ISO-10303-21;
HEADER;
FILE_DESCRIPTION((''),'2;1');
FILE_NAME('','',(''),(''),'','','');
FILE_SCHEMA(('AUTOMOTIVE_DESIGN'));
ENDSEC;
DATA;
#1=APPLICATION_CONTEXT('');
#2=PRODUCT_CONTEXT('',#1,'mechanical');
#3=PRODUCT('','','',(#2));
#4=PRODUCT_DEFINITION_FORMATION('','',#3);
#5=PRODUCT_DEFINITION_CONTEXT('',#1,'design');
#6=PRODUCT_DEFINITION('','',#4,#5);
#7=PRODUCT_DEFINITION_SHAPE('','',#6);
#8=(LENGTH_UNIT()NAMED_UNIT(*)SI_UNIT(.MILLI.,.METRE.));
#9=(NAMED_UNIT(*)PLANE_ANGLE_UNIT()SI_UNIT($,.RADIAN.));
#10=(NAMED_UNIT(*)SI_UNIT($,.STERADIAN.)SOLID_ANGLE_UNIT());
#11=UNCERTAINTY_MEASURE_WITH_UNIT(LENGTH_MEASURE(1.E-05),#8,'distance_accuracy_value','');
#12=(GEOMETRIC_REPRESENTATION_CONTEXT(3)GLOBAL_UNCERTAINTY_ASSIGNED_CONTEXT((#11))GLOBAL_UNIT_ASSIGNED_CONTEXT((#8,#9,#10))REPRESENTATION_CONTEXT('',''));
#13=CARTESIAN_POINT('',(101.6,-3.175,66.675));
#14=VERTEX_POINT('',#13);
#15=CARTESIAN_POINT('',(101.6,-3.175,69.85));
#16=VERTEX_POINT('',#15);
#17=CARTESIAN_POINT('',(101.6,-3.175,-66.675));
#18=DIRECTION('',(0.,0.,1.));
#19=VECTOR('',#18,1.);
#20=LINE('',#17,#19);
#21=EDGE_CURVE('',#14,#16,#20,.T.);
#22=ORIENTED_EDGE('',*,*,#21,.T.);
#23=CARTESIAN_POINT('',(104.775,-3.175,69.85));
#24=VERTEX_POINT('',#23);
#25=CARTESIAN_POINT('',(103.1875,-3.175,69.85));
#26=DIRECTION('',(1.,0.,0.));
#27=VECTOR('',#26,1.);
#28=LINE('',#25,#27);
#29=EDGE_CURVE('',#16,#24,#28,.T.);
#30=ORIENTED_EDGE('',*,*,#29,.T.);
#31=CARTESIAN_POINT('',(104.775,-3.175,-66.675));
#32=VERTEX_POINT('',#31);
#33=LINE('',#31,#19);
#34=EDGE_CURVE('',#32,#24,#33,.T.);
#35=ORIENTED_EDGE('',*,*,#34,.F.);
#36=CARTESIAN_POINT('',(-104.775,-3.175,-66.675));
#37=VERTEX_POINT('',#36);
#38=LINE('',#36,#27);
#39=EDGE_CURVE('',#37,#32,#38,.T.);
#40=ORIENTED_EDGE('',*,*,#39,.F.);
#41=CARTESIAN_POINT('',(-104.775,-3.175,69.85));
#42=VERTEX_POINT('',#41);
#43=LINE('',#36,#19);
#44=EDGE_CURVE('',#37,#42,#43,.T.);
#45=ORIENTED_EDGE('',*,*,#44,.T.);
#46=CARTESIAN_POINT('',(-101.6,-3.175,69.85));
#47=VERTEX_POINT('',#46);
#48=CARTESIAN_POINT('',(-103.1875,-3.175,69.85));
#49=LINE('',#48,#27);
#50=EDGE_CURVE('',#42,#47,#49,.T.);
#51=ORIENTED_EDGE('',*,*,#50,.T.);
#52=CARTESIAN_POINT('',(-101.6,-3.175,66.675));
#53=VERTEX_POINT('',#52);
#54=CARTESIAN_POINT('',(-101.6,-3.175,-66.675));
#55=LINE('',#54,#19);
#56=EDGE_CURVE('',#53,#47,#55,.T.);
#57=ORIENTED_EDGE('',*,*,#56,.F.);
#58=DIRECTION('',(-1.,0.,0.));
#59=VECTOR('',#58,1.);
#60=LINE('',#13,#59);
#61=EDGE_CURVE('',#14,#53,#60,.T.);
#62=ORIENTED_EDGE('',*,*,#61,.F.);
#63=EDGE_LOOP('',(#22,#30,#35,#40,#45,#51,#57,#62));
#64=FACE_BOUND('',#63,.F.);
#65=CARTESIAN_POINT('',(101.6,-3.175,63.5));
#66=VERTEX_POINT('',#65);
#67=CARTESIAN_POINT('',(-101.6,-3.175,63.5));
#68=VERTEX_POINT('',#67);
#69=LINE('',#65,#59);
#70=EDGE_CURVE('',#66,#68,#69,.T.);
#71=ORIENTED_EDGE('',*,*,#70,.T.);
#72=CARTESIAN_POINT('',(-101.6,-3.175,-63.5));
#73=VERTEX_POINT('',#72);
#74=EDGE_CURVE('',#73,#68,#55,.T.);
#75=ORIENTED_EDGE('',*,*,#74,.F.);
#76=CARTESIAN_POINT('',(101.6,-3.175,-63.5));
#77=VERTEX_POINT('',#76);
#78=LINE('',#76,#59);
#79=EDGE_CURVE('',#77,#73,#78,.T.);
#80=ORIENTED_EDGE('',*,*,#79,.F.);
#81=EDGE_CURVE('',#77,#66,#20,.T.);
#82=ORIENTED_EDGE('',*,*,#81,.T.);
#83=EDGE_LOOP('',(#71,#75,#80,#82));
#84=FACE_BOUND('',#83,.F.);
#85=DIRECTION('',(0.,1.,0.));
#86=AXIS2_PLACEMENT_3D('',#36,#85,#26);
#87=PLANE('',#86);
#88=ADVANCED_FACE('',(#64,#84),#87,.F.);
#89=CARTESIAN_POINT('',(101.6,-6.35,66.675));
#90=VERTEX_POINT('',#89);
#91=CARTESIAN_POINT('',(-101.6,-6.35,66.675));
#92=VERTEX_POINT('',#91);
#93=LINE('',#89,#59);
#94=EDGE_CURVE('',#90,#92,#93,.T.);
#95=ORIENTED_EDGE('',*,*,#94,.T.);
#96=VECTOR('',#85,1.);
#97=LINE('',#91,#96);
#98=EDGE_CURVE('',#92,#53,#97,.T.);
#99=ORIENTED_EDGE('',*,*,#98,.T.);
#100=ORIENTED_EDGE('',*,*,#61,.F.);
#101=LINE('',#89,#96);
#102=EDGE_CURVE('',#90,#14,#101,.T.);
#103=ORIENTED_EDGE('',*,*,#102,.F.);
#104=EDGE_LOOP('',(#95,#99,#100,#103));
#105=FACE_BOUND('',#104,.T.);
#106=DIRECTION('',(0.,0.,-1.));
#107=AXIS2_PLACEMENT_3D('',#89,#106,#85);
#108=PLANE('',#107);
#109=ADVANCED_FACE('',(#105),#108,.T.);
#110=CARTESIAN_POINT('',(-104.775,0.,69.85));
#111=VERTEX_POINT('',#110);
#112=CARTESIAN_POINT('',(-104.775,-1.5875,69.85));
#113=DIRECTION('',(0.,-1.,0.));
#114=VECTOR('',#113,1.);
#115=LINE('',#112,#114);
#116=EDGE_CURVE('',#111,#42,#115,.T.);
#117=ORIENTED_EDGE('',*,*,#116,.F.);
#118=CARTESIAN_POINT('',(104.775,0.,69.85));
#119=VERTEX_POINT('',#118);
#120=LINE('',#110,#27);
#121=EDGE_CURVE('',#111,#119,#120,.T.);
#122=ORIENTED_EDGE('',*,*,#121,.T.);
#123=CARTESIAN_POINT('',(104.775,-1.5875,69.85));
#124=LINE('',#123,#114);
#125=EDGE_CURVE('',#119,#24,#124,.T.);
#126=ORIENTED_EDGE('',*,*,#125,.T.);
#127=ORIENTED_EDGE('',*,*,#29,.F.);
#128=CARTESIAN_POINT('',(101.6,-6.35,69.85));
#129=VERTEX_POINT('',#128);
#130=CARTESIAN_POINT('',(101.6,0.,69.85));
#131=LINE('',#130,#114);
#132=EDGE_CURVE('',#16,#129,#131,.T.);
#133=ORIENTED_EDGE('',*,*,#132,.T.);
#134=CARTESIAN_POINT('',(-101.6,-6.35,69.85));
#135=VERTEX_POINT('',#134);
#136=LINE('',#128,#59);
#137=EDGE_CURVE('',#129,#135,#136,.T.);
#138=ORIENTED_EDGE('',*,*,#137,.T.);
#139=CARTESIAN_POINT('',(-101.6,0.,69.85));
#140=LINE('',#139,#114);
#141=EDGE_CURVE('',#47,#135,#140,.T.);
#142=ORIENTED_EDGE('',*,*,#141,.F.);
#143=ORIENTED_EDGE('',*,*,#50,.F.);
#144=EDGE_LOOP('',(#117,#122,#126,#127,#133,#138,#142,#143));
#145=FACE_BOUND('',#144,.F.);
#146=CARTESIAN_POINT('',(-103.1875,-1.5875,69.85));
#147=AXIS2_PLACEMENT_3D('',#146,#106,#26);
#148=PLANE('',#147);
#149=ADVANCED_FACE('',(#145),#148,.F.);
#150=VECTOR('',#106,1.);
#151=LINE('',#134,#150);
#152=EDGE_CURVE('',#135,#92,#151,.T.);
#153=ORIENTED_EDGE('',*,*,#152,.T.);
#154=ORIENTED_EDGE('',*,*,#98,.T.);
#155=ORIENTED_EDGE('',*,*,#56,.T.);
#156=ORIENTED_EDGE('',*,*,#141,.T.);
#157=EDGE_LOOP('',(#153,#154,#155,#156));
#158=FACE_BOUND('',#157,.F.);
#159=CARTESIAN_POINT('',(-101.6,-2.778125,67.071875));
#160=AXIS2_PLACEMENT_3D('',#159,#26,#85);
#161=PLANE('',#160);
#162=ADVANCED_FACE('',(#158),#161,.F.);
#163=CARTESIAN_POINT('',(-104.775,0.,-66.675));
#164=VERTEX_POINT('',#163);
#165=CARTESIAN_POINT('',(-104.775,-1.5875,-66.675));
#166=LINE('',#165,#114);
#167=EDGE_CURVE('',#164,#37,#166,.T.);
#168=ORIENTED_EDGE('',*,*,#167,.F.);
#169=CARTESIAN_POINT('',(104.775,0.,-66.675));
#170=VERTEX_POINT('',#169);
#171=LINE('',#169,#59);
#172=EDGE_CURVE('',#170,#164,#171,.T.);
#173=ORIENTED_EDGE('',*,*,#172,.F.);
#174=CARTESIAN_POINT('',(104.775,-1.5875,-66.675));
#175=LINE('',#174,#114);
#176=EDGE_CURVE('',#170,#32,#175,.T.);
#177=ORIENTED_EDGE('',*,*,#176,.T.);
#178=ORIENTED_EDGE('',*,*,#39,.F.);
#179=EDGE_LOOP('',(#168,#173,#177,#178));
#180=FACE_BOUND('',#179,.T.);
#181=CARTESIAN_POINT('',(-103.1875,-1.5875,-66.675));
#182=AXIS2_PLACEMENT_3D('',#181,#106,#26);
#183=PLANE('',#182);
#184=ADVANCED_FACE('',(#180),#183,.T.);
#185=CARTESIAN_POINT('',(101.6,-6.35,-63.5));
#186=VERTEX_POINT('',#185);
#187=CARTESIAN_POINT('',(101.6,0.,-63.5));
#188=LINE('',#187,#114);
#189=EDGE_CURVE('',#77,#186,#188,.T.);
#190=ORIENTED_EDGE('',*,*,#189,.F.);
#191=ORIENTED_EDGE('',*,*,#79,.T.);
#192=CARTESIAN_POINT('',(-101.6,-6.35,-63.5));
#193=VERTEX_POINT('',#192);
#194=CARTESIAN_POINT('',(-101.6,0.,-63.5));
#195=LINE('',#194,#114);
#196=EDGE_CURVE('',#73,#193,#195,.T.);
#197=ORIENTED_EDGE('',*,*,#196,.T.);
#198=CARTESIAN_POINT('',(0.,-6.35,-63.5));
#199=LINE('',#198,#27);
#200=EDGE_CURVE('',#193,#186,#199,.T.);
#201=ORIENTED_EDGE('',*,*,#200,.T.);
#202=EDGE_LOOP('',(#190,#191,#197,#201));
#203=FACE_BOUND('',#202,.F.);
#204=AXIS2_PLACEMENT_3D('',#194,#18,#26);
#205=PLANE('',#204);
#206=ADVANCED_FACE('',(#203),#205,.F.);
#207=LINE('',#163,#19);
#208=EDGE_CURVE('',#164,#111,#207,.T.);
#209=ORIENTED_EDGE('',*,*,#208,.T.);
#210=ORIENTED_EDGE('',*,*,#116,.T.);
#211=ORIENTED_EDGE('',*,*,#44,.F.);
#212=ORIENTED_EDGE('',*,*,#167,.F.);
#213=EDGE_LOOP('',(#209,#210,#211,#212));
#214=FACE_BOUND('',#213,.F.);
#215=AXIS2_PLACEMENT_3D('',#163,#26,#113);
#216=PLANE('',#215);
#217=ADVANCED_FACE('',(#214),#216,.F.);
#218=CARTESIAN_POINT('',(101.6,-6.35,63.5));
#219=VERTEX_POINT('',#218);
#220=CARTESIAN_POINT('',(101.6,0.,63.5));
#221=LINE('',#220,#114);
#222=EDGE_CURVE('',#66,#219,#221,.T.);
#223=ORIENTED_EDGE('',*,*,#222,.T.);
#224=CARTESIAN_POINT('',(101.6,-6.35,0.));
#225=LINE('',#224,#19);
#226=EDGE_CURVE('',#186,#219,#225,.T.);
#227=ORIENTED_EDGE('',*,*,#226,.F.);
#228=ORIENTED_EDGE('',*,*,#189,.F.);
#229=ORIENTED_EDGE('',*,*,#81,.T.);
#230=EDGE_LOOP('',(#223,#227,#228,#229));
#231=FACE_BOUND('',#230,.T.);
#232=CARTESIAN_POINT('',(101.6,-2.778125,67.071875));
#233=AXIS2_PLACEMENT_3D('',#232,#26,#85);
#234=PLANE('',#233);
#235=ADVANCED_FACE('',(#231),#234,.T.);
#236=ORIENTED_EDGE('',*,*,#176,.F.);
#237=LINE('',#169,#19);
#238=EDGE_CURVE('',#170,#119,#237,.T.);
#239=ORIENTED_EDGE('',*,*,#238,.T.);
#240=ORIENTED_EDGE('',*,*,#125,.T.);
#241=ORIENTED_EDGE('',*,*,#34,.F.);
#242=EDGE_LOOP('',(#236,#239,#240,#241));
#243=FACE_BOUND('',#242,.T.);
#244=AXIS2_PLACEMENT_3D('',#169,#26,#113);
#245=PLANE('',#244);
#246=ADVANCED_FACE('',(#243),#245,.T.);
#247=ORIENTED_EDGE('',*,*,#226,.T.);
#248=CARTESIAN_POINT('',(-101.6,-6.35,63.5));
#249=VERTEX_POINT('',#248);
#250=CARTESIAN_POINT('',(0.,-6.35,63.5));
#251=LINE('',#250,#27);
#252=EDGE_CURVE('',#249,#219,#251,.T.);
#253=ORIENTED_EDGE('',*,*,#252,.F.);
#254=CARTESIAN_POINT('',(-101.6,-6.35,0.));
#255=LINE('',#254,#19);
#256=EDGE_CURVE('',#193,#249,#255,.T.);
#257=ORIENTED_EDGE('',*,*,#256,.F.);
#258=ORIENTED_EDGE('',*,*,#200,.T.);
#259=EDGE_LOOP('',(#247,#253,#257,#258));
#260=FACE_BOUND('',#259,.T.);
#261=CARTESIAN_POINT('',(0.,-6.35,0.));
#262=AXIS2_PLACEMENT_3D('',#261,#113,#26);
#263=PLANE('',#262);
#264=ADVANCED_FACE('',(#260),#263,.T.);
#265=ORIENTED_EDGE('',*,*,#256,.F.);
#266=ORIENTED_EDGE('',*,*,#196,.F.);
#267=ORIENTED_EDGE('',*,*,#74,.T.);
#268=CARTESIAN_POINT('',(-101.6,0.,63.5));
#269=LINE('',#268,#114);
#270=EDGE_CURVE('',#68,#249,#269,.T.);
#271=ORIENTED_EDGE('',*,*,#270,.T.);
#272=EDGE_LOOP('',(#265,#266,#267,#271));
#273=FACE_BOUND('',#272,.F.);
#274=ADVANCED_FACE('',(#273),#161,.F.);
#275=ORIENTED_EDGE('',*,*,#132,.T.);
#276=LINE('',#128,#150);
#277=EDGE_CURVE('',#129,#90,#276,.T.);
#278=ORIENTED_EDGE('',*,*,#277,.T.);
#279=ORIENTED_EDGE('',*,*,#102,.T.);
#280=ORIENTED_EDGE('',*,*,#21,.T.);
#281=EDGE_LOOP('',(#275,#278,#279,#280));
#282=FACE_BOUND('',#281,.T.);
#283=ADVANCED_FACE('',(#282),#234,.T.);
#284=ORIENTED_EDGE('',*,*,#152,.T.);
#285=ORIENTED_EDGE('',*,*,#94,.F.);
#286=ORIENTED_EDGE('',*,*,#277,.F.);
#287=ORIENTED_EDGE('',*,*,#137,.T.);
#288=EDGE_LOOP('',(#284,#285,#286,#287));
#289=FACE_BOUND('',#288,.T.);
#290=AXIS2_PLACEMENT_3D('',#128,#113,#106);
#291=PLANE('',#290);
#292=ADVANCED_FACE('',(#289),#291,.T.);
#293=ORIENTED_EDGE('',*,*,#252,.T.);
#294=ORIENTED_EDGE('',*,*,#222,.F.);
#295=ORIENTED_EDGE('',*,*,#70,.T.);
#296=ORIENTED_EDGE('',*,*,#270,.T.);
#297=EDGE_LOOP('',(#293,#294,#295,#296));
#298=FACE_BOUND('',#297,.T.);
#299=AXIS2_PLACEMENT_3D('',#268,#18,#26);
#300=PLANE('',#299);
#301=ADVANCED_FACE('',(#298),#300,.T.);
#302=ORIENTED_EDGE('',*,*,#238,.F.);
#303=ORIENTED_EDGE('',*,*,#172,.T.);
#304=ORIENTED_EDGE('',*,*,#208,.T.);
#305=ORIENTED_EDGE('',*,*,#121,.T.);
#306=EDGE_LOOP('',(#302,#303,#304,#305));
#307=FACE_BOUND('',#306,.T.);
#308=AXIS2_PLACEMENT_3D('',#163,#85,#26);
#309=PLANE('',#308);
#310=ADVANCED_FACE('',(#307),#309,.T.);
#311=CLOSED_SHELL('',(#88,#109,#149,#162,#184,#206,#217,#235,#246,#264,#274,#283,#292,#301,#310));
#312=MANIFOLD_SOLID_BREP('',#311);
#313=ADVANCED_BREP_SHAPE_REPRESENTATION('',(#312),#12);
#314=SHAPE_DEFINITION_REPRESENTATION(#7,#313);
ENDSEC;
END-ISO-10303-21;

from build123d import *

# Parameters (mm, degrees)
F0_W     = 203.2
F0_H     = 127
F1_DEPTH = 6.35
F2_W     = 3.175
F2_H     = 3.175
F3_DEPTH = 203.2
F4_W     = 3.175
F4_H     = 3.175
F5_DEPTH = 136.525


with BuildPart() as f1:
    # F0 (on Front) → F1 (new body)
    with BuildSketch(Plane.XZ):
        Rectangle(F0_W, F0_H)
    extrude(amount=F1_DEPTH)

    # F2 (on face) → F3 (join)
    with BuildSketch(Plane.YZ.offset(101.6)):
        Polygon((-3.175, 63.5), (0, 63.5), (0, 69.85), (-6.35, 69.85), (-6.35, 66.675), (-3.175, 66.675), align=None)
        with Locations((-1.5875, -65.0875)):
            Rectangle(F2_W, F2_H)
    extrude(amount=-F3_DEPTH)

    # F4 (on face) → F5 (join)
    with BuildSketch(Plane(origin=(0, 0, -66.675), x_dir=(1, 0, 0), z_dir=(0, 0, -1))):
        with Locations((-103.1875, 1.5875)):
            Rectangle(F4_W, F4_H)
        with Locations((103.1875, 1.5875)):
            Rectangle(F4_W, F4_H)
    extrude(amount=-F5_DEPTH)


solid = f1.part
